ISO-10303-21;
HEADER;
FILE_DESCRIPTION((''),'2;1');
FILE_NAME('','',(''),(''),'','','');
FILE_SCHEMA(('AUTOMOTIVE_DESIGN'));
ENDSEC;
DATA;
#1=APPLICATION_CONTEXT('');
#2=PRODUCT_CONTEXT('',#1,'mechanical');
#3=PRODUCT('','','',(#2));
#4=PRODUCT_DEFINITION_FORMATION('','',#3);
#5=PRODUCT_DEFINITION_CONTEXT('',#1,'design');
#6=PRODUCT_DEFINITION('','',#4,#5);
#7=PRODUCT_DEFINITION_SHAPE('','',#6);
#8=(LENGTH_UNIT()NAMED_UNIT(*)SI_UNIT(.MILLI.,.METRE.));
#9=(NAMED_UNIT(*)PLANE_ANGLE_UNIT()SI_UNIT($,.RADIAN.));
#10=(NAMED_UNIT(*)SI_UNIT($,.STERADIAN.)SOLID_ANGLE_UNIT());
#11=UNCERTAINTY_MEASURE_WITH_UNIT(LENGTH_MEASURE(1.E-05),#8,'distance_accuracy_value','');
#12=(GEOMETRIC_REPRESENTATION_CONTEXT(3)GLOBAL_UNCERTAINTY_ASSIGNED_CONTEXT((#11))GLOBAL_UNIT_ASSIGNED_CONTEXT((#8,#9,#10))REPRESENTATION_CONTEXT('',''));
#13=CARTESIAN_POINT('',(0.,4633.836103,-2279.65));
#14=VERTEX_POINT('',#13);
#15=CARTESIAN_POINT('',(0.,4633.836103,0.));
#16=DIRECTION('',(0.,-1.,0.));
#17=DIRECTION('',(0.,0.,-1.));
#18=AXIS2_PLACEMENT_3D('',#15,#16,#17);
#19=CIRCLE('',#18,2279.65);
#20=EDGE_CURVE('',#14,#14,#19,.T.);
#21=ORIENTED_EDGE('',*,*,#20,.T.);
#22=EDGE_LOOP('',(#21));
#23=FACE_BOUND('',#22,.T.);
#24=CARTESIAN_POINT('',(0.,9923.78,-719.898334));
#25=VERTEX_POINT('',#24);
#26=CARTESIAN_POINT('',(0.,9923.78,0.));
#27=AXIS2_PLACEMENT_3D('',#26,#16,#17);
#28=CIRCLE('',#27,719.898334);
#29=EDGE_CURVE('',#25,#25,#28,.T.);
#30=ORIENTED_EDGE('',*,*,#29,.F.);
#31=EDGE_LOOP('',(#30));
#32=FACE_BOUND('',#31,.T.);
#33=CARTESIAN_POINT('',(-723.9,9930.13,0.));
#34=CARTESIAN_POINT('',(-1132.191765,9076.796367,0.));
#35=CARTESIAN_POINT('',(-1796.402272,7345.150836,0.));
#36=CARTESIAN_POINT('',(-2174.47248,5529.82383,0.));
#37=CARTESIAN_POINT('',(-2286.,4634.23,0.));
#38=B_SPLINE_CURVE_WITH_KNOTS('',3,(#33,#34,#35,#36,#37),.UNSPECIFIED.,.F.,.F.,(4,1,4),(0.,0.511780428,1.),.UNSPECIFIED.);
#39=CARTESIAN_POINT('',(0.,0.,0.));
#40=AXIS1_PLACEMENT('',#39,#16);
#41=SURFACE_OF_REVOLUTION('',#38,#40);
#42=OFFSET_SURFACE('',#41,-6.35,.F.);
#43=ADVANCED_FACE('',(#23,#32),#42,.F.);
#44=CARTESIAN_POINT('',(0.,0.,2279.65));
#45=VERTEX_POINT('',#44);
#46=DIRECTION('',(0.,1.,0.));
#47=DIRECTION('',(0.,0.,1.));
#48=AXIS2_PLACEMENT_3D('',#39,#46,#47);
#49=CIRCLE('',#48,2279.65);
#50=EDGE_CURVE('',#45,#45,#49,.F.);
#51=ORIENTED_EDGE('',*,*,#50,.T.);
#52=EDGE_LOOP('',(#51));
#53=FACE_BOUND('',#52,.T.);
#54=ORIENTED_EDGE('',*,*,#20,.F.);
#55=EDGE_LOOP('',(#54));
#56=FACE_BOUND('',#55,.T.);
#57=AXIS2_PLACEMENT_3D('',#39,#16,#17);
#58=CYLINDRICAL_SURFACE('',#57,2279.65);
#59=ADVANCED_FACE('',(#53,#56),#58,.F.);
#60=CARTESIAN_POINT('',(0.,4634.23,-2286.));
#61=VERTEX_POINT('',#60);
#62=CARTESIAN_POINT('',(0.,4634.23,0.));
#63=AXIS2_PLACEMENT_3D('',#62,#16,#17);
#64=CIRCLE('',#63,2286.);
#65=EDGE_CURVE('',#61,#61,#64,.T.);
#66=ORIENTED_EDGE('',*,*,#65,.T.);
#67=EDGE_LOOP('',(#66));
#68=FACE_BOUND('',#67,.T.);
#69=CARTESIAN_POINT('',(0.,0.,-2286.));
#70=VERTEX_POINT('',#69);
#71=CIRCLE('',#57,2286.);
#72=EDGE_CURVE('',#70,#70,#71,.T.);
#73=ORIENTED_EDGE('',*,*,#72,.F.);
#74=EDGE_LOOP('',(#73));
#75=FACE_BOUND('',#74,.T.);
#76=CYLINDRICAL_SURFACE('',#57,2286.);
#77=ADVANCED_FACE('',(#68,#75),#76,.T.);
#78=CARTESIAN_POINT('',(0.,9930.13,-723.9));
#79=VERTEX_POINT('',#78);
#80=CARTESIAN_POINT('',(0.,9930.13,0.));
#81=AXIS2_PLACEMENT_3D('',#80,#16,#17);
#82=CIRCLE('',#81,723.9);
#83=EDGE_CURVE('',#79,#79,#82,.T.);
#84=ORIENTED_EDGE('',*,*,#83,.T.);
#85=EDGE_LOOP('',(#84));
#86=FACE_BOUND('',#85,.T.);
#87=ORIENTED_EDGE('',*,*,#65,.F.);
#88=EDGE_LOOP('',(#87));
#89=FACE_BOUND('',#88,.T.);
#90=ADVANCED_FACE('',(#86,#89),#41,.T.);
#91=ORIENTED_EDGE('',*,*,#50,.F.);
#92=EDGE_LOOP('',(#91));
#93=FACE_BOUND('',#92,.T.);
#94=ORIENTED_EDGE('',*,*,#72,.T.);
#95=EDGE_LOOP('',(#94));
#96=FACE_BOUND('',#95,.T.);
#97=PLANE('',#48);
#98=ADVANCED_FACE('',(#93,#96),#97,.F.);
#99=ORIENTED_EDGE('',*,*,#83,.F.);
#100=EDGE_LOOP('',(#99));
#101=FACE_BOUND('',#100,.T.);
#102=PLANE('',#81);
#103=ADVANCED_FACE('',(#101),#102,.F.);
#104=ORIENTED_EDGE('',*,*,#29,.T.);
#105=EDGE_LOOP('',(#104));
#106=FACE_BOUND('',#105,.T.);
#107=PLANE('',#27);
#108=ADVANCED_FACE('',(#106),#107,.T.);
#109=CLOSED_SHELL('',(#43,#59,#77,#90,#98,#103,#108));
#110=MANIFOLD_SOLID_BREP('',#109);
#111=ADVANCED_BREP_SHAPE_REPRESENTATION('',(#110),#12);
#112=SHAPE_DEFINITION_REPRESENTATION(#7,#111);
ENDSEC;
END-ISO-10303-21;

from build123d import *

# Parameters (mm, degrees)
SHELL1_T = -6.35


with BuildPart() as part:
    # Sketch1 → Revolve1 (revolve)
    with BuildSketch(Plane.XY, mode=Mode.PRIVATE) as revolve1_sk:
        with BuildLine():
            Line((0, 0), (-2286, 0))
            Line((-2286, 0), (-2286, 4634.23))
            add(Edge.make_bspline(
                [(-723.9, 9930.13), (-1132.191764896, 9076.796366633), (-1796.402272171, 7345.150835879), (-2174.472480212, 5529.823830383), (-2286, 4634.23)],
                knots=[0, 0, 0, 0, 0.511780428, 1, 1, 1, 1], degree=3))
            Line((-723.9, 9930.13), (0, 9930.13))
            Line((0, 9930.13), (0, 0))
        make_face()
    revolve(revolve1_sk.sketch.rotate(Axis((0, 0, 0), (0, 1, 0)), 270), axis=Axis((0, 0, 0), (0, 1, 0)))

    # Shell1
    shell1_openings = [part.faces().sort_by_distance(p)[0] for p in [
        (0, 0, 0),
    ]]
    offset(amount=SHELL1_T, openings=shell1_openings, kind=Kind.INTERSECTION)


solid = part.part
